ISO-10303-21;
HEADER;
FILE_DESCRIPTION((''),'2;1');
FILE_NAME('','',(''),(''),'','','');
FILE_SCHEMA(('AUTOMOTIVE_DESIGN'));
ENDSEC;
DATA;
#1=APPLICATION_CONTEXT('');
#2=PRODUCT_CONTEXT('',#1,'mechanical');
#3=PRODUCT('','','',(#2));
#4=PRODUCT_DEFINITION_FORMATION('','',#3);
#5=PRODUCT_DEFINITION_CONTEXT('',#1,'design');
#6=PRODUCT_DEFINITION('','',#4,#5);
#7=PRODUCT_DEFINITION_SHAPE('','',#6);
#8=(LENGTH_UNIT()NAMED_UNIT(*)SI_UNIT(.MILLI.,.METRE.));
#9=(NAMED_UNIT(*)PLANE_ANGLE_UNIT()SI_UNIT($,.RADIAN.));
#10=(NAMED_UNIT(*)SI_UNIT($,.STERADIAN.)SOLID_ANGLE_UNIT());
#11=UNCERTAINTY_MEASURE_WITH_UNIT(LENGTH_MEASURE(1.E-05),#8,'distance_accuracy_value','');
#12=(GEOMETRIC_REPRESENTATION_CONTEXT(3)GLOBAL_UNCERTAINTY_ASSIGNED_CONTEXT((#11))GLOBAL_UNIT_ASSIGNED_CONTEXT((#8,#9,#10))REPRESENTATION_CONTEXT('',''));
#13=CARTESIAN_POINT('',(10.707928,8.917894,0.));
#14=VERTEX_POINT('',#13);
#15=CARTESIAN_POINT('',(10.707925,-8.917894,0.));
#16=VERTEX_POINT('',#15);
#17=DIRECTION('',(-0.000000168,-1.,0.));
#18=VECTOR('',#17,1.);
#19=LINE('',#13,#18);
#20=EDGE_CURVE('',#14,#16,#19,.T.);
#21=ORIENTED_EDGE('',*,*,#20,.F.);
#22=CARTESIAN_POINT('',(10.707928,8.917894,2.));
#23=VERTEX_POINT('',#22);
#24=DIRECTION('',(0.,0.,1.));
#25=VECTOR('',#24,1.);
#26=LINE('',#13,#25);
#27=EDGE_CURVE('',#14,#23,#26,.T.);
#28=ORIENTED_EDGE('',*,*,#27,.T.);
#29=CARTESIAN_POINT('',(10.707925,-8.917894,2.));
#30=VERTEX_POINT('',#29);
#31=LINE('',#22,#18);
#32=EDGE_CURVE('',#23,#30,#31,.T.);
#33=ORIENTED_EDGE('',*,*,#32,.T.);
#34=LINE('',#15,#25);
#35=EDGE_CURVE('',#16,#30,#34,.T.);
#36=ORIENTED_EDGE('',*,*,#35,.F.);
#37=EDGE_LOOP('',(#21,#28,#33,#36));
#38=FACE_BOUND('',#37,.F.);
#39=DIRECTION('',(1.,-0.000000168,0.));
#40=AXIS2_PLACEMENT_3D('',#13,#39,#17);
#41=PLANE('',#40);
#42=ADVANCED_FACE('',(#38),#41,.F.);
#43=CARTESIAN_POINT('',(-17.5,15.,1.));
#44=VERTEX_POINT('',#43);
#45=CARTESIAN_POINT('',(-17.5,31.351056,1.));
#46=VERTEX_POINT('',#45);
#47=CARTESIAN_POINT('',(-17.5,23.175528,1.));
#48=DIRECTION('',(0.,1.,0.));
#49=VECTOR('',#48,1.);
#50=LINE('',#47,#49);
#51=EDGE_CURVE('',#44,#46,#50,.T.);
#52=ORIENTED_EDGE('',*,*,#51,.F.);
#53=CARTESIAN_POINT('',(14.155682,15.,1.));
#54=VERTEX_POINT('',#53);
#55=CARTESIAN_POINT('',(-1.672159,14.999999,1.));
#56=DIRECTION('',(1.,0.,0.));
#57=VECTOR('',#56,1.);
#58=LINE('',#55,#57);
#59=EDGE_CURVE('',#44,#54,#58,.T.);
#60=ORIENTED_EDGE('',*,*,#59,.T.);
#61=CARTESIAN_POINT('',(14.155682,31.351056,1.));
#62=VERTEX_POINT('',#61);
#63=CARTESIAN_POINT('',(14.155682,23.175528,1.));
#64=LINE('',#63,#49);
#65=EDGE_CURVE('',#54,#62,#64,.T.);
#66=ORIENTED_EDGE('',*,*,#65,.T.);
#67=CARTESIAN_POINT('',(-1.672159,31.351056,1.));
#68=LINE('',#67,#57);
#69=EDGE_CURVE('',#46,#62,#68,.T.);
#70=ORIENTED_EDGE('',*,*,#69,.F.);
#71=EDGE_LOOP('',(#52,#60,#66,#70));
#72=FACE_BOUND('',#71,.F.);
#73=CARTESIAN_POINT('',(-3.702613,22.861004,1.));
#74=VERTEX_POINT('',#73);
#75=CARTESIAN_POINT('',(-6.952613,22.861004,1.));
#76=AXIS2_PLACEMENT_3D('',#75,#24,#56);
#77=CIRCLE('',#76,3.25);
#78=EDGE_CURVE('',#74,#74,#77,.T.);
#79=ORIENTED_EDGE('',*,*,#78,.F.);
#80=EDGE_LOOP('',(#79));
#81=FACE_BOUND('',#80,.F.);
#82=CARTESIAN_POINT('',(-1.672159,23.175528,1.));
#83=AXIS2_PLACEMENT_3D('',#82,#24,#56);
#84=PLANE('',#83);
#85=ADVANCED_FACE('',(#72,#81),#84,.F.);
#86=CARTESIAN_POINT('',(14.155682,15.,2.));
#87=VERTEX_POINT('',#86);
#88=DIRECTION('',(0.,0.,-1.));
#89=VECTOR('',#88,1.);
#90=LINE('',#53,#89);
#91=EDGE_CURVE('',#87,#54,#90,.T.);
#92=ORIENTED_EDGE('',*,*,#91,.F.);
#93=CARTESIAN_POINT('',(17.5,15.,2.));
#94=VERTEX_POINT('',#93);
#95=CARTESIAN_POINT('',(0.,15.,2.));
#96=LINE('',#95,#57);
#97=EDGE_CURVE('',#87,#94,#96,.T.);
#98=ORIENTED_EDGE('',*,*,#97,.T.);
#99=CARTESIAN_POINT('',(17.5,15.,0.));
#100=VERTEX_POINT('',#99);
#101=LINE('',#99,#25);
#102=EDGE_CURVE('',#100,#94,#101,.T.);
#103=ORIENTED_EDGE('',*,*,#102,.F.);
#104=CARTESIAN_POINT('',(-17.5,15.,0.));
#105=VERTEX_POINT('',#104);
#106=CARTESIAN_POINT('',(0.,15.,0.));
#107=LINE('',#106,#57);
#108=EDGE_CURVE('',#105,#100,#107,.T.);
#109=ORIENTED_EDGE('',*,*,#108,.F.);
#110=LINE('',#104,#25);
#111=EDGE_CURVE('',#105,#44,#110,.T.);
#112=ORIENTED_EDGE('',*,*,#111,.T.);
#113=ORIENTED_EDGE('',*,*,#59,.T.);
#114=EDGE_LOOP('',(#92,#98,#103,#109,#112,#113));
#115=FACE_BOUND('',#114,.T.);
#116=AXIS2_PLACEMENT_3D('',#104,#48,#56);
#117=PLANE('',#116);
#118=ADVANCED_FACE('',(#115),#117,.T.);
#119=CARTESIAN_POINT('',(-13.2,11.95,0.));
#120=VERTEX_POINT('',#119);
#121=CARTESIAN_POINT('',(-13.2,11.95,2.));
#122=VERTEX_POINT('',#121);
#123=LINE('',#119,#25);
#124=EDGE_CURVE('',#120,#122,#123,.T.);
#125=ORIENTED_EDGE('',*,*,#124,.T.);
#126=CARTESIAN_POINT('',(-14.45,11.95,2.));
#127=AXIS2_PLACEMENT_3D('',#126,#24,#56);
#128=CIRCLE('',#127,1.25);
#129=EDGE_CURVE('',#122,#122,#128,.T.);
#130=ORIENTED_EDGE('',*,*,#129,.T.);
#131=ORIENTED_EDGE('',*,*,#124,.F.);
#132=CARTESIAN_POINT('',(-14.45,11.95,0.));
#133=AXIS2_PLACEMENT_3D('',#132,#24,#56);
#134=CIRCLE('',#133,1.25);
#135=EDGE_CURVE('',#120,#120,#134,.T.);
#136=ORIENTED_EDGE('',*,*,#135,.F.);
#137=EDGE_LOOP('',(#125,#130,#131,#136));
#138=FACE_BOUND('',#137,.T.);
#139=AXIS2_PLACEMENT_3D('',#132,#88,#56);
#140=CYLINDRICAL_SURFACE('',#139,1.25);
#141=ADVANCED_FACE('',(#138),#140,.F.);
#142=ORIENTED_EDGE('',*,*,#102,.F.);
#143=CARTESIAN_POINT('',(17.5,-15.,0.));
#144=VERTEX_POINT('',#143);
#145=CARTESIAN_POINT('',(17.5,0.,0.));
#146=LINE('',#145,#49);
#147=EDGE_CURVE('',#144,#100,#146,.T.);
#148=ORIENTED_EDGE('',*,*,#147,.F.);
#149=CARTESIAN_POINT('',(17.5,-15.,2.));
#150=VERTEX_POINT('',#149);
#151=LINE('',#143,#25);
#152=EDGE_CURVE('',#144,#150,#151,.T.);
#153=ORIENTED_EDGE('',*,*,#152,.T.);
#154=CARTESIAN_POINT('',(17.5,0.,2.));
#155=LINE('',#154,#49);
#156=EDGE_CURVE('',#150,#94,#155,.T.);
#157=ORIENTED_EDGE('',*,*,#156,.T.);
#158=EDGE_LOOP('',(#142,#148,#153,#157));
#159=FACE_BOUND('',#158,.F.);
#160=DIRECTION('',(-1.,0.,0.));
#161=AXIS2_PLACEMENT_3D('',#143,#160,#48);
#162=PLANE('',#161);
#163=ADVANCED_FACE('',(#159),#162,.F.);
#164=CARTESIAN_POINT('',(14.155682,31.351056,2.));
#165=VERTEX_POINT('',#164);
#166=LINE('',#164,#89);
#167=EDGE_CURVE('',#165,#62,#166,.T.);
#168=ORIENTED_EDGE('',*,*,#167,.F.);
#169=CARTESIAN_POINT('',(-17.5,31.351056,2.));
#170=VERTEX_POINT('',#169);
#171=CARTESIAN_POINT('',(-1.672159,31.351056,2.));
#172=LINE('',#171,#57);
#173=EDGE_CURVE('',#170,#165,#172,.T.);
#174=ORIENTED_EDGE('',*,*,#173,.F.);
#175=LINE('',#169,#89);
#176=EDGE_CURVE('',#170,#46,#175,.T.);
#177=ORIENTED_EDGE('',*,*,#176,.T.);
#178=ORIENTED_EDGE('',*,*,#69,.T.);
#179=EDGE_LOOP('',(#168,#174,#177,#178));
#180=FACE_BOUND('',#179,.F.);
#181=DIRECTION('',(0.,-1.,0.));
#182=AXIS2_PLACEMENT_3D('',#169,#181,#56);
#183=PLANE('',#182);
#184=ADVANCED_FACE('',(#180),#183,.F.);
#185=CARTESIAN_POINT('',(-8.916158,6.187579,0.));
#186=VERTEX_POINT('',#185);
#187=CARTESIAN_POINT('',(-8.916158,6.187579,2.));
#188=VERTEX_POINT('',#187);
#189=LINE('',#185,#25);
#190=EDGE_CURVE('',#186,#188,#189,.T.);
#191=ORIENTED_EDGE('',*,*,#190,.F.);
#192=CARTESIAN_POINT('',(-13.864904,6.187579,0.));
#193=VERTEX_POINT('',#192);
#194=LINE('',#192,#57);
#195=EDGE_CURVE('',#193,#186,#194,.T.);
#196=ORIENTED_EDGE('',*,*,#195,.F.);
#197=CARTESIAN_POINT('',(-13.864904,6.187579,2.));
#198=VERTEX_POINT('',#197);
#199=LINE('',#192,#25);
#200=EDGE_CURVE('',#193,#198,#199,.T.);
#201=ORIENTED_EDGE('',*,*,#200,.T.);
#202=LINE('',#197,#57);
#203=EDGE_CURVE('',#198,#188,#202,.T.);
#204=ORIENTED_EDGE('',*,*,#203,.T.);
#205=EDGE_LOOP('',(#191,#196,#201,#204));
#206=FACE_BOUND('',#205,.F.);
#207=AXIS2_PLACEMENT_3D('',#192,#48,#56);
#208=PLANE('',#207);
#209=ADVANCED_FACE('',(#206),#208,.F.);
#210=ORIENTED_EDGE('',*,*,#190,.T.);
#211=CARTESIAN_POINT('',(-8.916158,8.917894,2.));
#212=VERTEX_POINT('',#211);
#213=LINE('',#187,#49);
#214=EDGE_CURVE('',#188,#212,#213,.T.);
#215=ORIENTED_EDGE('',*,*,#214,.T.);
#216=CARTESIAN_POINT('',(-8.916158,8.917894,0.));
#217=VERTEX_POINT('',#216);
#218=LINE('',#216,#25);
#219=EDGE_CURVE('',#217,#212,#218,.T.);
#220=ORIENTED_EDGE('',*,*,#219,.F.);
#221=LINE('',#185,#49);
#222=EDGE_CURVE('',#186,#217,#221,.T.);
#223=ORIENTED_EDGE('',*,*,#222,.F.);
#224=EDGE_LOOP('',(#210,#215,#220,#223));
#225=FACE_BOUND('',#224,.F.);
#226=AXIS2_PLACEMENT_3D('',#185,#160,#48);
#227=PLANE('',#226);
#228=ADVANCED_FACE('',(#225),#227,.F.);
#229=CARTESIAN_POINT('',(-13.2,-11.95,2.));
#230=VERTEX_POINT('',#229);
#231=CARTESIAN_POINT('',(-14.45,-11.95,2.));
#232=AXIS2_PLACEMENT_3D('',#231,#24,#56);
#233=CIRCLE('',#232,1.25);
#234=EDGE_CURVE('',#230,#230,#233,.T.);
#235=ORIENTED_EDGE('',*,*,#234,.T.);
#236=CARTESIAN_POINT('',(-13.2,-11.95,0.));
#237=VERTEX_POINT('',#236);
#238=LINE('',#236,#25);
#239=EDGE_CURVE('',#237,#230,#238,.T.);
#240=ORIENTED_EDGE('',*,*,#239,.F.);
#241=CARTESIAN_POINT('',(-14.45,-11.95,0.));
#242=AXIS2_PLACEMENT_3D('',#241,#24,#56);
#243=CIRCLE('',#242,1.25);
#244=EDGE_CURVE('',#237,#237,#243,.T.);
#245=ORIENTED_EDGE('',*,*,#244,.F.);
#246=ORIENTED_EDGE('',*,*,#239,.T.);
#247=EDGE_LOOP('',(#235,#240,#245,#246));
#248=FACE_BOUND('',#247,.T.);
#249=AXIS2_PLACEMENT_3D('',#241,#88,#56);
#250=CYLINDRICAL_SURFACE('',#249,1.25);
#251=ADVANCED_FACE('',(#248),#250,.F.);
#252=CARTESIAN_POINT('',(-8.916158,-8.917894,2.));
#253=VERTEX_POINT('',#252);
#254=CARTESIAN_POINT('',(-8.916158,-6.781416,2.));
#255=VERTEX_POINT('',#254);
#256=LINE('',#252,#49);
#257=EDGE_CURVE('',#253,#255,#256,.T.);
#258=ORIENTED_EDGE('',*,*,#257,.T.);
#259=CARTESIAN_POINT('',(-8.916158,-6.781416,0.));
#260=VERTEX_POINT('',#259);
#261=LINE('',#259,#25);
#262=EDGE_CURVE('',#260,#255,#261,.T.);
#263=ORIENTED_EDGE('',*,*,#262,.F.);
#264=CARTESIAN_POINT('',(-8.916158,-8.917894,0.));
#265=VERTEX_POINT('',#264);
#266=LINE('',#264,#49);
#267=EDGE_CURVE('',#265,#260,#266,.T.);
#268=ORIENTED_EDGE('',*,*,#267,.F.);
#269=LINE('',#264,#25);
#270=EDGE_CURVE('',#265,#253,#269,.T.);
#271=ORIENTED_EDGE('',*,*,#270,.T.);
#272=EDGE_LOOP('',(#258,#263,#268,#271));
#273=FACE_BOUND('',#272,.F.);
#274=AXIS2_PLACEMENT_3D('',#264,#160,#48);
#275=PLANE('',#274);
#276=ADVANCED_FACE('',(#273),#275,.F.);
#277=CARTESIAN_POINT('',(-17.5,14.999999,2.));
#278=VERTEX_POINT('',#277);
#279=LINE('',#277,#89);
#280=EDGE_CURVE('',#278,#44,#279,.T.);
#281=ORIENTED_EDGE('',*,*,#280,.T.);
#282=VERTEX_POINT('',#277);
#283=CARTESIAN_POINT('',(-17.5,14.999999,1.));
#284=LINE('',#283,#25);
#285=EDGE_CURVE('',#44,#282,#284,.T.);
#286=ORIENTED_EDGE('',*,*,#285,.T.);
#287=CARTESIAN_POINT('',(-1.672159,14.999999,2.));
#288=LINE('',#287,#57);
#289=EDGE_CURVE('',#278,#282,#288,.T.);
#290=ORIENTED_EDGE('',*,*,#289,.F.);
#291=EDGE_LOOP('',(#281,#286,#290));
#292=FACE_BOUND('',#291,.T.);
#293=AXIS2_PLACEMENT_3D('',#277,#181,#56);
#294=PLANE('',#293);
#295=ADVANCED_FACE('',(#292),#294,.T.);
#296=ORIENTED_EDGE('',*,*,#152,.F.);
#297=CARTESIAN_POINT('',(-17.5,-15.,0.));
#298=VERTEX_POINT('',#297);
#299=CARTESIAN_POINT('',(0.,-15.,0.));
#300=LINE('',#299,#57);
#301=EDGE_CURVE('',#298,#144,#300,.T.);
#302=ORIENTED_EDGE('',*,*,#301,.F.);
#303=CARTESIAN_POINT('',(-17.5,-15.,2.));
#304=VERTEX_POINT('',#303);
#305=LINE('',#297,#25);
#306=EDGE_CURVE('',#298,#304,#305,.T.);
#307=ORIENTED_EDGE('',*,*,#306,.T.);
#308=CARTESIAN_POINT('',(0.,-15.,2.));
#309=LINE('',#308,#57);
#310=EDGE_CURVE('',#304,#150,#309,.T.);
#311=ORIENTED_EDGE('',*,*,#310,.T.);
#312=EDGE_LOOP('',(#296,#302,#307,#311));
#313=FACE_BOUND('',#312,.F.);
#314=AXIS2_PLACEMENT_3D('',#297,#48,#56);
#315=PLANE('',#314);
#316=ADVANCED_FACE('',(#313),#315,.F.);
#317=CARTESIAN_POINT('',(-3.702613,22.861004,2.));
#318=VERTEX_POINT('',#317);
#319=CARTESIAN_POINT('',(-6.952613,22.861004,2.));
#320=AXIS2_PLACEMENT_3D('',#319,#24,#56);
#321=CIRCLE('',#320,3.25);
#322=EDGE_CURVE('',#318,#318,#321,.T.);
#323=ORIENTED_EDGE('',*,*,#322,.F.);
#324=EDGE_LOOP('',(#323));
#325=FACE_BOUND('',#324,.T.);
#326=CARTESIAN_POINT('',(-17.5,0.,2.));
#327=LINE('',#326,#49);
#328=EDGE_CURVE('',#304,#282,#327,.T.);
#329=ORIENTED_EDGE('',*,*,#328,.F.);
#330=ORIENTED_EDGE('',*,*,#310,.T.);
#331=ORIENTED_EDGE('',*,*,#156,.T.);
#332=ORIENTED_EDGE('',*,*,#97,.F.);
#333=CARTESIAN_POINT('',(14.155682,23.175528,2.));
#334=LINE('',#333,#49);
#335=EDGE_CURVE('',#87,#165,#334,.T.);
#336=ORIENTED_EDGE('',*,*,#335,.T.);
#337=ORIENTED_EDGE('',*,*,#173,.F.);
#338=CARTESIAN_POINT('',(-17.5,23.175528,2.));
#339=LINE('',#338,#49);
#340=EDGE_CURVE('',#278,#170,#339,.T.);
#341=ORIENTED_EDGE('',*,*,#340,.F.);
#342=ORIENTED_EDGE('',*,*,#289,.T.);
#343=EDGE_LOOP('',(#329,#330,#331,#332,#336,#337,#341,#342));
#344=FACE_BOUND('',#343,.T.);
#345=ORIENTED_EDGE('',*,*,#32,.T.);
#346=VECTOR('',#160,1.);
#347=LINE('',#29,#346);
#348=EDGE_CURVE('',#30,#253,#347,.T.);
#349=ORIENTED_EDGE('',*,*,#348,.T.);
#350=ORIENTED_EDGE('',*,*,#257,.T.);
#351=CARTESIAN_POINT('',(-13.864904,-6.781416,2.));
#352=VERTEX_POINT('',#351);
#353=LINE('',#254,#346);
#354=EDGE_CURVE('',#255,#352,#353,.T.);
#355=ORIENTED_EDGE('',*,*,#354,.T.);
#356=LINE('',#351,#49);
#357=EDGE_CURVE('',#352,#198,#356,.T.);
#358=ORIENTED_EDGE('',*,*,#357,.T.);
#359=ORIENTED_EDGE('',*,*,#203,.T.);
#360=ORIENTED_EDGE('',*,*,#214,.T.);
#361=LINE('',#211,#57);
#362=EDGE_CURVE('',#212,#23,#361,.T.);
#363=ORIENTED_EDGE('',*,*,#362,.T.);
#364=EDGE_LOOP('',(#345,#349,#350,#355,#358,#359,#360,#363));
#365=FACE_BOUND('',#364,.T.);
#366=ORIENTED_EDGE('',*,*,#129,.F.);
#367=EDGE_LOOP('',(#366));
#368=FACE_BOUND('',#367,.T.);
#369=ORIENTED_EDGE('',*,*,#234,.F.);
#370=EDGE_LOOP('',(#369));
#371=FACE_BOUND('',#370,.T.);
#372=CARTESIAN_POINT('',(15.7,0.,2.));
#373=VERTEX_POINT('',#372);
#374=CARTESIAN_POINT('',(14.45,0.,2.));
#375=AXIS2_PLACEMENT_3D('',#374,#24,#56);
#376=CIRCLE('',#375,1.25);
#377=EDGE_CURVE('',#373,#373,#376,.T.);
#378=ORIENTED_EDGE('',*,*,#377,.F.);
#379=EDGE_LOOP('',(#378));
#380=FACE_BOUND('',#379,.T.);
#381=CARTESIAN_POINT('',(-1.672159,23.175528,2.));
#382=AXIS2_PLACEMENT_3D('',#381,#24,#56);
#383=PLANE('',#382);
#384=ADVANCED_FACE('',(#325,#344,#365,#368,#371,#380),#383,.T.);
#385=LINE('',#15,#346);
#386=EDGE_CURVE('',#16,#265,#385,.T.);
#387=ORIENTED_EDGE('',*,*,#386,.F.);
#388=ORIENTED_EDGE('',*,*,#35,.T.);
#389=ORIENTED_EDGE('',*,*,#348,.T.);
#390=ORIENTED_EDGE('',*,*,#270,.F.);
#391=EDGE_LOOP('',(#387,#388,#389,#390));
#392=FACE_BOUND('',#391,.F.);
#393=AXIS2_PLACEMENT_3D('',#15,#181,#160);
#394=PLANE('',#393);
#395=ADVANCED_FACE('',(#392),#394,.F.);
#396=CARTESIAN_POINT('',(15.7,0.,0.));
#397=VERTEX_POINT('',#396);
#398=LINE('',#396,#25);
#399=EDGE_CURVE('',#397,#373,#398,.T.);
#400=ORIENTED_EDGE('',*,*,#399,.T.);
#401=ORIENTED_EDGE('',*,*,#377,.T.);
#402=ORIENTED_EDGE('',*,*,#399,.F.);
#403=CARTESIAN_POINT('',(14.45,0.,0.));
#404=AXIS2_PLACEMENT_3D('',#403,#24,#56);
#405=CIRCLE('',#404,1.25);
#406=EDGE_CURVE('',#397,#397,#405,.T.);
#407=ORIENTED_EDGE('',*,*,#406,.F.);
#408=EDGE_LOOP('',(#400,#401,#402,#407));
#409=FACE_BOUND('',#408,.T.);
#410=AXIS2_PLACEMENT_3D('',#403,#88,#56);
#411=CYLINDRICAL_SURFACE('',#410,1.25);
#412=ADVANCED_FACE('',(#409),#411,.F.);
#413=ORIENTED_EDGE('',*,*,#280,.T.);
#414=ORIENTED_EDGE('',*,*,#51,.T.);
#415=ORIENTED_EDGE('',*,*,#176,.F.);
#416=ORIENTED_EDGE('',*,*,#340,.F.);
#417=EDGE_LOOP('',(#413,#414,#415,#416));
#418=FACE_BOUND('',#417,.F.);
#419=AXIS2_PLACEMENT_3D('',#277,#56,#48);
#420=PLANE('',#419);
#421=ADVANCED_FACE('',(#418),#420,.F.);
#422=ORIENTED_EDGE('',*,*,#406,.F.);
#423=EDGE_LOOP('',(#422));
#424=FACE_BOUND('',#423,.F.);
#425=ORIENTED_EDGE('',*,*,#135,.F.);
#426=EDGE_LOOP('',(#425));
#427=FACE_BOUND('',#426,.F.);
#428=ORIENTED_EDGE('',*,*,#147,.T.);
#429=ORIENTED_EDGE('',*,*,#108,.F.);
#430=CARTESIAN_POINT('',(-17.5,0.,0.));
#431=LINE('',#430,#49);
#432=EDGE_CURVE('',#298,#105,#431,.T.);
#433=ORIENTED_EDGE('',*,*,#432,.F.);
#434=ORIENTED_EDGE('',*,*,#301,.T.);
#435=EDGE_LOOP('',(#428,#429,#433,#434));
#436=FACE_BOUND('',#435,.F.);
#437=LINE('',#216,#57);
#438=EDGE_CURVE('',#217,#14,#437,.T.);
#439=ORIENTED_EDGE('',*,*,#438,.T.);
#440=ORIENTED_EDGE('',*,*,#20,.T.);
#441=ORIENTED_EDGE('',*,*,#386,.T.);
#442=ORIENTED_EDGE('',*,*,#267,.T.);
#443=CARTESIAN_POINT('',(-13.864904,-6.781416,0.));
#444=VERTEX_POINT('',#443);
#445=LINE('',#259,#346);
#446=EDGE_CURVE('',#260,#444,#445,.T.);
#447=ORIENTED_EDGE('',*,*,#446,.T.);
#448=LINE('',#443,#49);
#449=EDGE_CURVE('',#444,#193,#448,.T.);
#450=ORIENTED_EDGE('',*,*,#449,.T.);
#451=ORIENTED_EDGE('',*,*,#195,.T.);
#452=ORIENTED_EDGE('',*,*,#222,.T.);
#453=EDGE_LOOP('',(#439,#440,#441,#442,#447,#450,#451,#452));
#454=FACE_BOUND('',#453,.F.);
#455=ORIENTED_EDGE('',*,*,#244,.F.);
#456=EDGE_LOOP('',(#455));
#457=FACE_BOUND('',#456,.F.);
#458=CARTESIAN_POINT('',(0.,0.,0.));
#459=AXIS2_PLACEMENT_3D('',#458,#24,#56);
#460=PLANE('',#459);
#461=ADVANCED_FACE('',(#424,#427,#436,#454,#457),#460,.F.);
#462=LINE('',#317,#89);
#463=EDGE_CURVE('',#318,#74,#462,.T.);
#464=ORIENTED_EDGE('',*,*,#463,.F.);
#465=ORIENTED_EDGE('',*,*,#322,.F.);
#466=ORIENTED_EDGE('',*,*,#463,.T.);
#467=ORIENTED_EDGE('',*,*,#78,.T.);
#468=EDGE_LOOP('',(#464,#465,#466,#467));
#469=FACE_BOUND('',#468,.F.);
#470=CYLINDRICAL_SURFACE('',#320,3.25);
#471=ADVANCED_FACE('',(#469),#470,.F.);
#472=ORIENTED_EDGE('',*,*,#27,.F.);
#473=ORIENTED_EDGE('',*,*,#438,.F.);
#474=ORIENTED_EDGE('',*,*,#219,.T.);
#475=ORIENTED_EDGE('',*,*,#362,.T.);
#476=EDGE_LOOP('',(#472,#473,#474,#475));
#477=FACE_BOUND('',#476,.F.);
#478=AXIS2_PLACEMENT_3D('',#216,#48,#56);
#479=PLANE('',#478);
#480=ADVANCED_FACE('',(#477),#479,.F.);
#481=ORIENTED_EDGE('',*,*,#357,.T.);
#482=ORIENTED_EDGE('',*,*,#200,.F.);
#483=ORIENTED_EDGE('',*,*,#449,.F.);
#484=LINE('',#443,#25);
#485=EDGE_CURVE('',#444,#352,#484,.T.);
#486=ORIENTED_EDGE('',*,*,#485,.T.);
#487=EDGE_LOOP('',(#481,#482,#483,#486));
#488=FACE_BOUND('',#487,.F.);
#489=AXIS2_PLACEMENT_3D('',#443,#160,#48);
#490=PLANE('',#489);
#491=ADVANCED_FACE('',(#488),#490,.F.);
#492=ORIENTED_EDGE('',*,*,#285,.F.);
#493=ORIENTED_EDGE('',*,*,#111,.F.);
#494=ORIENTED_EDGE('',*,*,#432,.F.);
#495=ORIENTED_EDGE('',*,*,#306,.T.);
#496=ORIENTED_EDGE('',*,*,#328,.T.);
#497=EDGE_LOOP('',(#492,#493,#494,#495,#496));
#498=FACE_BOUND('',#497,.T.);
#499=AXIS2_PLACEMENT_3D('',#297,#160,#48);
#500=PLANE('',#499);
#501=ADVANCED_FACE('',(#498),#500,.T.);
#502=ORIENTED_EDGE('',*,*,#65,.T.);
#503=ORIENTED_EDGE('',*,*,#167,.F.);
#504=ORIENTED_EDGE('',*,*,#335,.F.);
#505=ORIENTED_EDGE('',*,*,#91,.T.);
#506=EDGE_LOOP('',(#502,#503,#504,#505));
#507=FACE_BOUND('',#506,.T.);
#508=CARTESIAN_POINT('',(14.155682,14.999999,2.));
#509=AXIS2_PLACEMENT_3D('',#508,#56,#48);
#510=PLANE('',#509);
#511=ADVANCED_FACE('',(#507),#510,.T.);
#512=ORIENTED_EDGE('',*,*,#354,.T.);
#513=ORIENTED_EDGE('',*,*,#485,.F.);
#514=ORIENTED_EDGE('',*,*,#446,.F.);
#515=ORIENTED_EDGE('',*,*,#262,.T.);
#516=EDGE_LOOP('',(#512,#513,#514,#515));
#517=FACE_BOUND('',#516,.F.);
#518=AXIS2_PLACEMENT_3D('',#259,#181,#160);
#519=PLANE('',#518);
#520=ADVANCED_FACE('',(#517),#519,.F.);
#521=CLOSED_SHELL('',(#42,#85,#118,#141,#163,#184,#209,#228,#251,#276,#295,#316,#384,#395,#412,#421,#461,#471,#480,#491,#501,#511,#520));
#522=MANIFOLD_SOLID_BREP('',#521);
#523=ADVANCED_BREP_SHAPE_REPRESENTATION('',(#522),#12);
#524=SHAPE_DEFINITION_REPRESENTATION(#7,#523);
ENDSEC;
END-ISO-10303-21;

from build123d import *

# Parameters (mm, degrees)
F0_W     = 35
F0_H     = 30
F0_R     = 1.25
F1_DEPTH = 2
F2_W     = 31.655683
F2_H     = 16.351057
F2_R     = 3.25
F3_DEPTH = 1


with BuildPart() as f1:
    # F0 (on Top) → F1 (new body)
    with BuildSketch(Plane.XY):
        Rectangle(F0_W, F0_H)
        with Locations((-14.45, -11.95)):
            Circle(F0_R, mode=Mode.SUBTRACT)
        Polygon((-8.916158, 8.917894), (8.916158, 8.917894), (10.707928, 8.917894), (10.707925, -8.917894), (8.916158, -8.917894), (-8.916158, -8.917894), (-8.916158, -6.781416), (-13.864904, -6.781416), (-13.864904, 6.187579), (-8.916158, 6.187579), align=None, mode=Mode.SUBTRACT)
        with Locations((-14.45, 11.95)):
            Circle(F0_R, mode=Mode.SUBTRACT)
        with Locations((14.45, 0)):
            Circle(F0_R, mode=Mode.SUBTRACT)
    extrude(amount=F1_DEPTH)

    # F2 (on face) → F3 (join)
    with BuildSketch(Plane.XY.offset(2)):
        with Locations((-1.672159, 23.175528)):
            Rectangle(F2_W, F2_H)
        with Locations((-6.952613, 22.861004)):
            Circle(F2_R, mode=Mode.SUBTRACT)
    extrude(amount=-F3_DEPTH)


solid = f1.part
